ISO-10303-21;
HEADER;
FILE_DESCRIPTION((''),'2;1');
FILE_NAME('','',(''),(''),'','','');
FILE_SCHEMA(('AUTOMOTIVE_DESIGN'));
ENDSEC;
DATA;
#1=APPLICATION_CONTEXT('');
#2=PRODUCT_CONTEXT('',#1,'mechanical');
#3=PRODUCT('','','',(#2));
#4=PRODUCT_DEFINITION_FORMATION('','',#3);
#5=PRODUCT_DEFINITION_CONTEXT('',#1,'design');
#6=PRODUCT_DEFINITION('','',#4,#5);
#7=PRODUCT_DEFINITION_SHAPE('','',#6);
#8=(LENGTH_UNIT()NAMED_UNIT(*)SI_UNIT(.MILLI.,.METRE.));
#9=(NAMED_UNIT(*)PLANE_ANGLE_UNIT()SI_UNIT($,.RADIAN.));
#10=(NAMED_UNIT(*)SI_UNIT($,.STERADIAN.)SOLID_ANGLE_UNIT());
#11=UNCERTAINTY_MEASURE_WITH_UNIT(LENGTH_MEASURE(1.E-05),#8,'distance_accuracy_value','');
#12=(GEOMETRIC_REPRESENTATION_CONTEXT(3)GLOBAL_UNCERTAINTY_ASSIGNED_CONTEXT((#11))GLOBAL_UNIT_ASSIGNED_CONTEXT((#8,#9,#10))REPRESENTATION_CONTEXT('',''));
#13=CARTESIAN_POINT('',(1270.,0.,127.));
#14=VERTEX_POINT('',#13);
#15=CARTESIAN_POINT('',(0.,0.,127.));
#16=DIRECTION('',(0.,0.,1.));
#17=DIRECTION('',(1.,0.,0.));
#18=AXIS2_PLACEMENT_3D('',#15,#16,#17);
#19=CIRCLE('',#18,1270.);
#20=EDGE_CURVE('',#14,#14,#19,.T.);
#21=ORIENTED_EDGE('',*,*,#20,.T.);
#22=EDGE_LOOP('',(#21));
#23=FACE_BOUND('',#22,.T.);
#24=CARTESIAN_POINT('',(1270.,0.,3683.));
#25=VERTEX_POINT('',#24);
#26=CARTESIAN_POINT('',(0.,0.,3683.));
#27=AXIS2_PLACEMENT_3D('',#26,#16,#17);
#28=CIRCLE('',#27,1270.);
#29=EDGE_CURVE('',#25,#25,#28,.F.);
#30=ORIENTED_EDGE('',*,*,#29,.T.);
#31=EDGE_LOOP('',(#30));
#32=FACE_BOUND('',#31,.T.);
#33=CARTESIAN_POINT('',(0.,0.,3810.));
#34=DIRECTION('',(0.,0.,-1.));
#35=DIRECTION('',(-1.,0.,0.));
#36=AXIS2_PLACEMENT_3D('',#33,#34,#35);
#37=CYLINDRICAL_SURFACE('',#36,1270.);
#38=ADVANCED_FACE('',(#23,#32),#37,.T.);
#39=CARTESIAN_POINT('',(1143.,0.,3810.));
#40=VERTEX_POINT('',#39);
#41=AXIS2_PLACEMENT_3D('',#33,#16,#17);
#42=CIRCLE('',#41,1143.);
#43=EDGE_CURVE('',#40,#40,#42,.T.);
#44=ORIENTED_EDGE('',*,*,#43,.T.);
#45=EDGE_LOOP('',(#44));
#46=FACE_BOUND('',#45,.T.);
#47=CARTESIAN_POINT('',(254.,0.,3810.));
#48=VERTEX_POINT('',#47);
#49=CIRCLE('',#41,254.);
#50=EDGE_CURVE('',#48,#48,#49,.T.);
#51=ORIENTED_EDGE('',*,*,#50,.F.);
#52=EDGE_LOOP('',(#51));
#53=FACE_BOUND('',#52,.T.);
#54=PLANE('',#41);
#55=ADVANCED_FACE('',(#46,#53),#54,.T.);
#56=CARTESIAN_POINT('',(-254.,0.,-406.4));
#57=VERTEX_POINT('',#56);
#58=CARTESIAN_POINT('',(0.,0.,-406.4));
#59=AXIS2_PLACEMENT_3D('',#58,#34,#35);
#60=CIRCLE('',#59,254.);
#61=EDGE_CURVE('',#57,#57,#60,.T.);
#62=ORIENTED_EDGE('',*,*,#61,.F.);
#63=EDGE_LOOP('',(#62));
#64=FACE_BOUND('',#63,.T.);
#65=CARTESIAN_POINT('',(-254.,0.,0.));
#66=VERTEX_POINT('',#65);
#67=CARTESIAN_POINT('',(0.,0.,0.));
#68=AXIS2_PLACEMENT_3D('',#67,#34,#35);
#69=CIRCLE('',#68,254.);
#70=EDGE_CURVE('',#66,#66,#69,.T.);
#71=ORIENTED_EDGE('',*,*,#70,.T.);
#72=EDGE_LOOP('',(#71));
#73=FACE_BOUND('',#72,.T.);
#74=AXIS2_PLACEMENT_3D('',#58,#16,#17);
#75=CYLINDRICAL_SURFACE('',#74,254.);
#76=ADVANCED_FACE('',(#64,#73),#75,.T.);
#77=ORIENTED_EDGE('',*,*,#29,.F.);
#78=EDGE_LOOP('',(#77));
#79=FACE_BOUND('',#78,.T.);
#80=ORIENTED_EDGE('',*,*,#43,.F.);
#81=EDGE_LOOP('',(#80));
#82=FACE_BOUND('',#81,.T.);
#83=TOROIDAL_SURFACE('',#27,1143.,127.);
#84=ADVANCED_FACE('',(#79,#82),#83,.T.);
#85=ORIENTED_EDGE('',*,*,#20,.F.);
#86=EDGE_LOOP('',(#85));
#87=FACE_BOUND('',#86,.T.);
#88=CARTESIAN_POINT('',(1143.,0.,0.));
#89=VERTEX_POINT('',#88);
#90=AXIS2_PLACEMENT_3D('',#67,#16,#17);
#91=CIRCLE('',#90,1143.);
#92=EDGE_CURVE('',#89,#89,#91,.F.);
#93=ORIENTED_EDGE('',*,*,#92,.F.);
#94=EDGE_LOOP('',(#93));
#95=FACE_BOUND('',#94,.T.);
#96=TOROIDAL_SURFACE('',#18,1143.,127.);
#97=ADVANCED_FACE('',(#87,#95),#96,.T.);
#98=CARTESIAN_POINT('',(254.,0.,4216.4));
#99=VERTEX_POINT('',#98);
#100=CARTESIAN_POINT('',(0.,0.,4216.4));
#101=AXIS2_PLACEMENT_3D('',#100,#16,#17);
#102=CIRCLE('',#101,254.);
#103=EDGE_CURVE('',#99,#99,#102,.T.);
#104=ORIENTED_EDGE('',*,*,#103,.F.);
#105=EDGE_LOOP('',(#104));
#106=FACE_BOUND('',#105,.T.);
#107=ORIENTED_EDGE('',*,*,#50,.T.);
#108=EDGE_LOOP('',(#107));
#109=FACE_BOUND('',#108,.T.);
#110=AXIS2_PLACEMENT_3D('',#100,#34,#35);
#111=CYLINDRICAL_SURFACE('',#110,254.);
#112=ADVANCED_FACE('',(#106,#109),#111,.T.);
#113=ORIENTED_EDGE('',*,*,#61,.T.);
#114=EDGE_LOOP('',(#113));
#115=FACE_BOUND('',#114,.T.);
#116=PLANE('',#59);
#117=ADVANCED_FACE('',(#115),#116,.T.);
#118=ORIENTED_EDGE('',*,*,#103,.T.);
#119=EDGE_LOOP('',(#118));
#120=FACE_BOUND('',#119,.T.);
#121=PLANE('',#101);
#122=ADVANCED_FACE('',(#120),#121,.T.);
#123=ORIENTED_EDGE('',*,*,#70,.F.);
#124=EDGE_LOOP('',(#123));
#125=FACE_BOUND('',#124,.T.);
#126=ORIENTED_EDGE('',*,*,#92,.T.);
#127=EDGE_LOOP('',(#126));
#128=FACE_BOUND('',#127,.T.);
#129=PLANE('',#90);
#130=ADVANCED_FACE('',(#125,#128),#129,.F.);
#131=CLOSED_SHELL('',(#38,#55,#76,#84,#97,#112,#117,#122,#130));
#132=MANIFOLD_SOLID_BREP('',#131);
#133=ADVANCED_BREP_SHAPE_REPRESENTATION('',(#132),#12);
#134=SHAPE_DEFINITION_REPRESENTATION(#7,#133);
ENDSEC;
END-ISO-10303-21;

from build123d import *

# Parameters (mm, degrees)
SKETCH2_R           = 1270
BOSS_EXTRUDE1_DEPTH = 3810
SKETCH3_R           = 254
BOSS_EXTRUDE2_DEPTH = 406.4
BOSS_EXTRUDE3_START = 406.4
SKETCH4_R           = 254
BOSS_EXTRUDE3_DEPTH = 406.4
FILLET1_R           = 127


with BuildPart() as part:
    # Sketch2 → Boss-Extrude1 (new body)
    with BuildSketch(Plane.XY):
        Circle(SKETCH2_R)
    extrude(amount=BOSS_EXTRUDE1_DEPTH)

    # Sketch3 → Boss-Extrude2 (add)
    with BuildSketch(Plane.XY.offset(3810)):
        Circle(SKETCH3_R)
    extrude(amount=BOSS_EXTRUDE2_DEPTH)

    # Sketch4 → Boss-Extrude3 (add)
    with BuildSketch(Plane(origin=(0, 0, 0), x_dir=(-1, 0, 0), z_dir=(0, 0, -1)).offset(BOSS_EXTRUDE3_START)):
        with Locations(Location((0, 0, 0), (0, 0, 180))):
            Circle(SKETCH4_R)
    extrude(amount=-BOSS_EXTRUDE3_DEPTH)

    # Fillet1
    fillet1_edges = [part.edges().sort_by_distance(p)[0] for p in [
        (-1270, 0, 0),
        (-1270, 0, 3810),
    ]]
    fillet(fillet1_edges, radius=FILLET1_R)


solid = part.part
